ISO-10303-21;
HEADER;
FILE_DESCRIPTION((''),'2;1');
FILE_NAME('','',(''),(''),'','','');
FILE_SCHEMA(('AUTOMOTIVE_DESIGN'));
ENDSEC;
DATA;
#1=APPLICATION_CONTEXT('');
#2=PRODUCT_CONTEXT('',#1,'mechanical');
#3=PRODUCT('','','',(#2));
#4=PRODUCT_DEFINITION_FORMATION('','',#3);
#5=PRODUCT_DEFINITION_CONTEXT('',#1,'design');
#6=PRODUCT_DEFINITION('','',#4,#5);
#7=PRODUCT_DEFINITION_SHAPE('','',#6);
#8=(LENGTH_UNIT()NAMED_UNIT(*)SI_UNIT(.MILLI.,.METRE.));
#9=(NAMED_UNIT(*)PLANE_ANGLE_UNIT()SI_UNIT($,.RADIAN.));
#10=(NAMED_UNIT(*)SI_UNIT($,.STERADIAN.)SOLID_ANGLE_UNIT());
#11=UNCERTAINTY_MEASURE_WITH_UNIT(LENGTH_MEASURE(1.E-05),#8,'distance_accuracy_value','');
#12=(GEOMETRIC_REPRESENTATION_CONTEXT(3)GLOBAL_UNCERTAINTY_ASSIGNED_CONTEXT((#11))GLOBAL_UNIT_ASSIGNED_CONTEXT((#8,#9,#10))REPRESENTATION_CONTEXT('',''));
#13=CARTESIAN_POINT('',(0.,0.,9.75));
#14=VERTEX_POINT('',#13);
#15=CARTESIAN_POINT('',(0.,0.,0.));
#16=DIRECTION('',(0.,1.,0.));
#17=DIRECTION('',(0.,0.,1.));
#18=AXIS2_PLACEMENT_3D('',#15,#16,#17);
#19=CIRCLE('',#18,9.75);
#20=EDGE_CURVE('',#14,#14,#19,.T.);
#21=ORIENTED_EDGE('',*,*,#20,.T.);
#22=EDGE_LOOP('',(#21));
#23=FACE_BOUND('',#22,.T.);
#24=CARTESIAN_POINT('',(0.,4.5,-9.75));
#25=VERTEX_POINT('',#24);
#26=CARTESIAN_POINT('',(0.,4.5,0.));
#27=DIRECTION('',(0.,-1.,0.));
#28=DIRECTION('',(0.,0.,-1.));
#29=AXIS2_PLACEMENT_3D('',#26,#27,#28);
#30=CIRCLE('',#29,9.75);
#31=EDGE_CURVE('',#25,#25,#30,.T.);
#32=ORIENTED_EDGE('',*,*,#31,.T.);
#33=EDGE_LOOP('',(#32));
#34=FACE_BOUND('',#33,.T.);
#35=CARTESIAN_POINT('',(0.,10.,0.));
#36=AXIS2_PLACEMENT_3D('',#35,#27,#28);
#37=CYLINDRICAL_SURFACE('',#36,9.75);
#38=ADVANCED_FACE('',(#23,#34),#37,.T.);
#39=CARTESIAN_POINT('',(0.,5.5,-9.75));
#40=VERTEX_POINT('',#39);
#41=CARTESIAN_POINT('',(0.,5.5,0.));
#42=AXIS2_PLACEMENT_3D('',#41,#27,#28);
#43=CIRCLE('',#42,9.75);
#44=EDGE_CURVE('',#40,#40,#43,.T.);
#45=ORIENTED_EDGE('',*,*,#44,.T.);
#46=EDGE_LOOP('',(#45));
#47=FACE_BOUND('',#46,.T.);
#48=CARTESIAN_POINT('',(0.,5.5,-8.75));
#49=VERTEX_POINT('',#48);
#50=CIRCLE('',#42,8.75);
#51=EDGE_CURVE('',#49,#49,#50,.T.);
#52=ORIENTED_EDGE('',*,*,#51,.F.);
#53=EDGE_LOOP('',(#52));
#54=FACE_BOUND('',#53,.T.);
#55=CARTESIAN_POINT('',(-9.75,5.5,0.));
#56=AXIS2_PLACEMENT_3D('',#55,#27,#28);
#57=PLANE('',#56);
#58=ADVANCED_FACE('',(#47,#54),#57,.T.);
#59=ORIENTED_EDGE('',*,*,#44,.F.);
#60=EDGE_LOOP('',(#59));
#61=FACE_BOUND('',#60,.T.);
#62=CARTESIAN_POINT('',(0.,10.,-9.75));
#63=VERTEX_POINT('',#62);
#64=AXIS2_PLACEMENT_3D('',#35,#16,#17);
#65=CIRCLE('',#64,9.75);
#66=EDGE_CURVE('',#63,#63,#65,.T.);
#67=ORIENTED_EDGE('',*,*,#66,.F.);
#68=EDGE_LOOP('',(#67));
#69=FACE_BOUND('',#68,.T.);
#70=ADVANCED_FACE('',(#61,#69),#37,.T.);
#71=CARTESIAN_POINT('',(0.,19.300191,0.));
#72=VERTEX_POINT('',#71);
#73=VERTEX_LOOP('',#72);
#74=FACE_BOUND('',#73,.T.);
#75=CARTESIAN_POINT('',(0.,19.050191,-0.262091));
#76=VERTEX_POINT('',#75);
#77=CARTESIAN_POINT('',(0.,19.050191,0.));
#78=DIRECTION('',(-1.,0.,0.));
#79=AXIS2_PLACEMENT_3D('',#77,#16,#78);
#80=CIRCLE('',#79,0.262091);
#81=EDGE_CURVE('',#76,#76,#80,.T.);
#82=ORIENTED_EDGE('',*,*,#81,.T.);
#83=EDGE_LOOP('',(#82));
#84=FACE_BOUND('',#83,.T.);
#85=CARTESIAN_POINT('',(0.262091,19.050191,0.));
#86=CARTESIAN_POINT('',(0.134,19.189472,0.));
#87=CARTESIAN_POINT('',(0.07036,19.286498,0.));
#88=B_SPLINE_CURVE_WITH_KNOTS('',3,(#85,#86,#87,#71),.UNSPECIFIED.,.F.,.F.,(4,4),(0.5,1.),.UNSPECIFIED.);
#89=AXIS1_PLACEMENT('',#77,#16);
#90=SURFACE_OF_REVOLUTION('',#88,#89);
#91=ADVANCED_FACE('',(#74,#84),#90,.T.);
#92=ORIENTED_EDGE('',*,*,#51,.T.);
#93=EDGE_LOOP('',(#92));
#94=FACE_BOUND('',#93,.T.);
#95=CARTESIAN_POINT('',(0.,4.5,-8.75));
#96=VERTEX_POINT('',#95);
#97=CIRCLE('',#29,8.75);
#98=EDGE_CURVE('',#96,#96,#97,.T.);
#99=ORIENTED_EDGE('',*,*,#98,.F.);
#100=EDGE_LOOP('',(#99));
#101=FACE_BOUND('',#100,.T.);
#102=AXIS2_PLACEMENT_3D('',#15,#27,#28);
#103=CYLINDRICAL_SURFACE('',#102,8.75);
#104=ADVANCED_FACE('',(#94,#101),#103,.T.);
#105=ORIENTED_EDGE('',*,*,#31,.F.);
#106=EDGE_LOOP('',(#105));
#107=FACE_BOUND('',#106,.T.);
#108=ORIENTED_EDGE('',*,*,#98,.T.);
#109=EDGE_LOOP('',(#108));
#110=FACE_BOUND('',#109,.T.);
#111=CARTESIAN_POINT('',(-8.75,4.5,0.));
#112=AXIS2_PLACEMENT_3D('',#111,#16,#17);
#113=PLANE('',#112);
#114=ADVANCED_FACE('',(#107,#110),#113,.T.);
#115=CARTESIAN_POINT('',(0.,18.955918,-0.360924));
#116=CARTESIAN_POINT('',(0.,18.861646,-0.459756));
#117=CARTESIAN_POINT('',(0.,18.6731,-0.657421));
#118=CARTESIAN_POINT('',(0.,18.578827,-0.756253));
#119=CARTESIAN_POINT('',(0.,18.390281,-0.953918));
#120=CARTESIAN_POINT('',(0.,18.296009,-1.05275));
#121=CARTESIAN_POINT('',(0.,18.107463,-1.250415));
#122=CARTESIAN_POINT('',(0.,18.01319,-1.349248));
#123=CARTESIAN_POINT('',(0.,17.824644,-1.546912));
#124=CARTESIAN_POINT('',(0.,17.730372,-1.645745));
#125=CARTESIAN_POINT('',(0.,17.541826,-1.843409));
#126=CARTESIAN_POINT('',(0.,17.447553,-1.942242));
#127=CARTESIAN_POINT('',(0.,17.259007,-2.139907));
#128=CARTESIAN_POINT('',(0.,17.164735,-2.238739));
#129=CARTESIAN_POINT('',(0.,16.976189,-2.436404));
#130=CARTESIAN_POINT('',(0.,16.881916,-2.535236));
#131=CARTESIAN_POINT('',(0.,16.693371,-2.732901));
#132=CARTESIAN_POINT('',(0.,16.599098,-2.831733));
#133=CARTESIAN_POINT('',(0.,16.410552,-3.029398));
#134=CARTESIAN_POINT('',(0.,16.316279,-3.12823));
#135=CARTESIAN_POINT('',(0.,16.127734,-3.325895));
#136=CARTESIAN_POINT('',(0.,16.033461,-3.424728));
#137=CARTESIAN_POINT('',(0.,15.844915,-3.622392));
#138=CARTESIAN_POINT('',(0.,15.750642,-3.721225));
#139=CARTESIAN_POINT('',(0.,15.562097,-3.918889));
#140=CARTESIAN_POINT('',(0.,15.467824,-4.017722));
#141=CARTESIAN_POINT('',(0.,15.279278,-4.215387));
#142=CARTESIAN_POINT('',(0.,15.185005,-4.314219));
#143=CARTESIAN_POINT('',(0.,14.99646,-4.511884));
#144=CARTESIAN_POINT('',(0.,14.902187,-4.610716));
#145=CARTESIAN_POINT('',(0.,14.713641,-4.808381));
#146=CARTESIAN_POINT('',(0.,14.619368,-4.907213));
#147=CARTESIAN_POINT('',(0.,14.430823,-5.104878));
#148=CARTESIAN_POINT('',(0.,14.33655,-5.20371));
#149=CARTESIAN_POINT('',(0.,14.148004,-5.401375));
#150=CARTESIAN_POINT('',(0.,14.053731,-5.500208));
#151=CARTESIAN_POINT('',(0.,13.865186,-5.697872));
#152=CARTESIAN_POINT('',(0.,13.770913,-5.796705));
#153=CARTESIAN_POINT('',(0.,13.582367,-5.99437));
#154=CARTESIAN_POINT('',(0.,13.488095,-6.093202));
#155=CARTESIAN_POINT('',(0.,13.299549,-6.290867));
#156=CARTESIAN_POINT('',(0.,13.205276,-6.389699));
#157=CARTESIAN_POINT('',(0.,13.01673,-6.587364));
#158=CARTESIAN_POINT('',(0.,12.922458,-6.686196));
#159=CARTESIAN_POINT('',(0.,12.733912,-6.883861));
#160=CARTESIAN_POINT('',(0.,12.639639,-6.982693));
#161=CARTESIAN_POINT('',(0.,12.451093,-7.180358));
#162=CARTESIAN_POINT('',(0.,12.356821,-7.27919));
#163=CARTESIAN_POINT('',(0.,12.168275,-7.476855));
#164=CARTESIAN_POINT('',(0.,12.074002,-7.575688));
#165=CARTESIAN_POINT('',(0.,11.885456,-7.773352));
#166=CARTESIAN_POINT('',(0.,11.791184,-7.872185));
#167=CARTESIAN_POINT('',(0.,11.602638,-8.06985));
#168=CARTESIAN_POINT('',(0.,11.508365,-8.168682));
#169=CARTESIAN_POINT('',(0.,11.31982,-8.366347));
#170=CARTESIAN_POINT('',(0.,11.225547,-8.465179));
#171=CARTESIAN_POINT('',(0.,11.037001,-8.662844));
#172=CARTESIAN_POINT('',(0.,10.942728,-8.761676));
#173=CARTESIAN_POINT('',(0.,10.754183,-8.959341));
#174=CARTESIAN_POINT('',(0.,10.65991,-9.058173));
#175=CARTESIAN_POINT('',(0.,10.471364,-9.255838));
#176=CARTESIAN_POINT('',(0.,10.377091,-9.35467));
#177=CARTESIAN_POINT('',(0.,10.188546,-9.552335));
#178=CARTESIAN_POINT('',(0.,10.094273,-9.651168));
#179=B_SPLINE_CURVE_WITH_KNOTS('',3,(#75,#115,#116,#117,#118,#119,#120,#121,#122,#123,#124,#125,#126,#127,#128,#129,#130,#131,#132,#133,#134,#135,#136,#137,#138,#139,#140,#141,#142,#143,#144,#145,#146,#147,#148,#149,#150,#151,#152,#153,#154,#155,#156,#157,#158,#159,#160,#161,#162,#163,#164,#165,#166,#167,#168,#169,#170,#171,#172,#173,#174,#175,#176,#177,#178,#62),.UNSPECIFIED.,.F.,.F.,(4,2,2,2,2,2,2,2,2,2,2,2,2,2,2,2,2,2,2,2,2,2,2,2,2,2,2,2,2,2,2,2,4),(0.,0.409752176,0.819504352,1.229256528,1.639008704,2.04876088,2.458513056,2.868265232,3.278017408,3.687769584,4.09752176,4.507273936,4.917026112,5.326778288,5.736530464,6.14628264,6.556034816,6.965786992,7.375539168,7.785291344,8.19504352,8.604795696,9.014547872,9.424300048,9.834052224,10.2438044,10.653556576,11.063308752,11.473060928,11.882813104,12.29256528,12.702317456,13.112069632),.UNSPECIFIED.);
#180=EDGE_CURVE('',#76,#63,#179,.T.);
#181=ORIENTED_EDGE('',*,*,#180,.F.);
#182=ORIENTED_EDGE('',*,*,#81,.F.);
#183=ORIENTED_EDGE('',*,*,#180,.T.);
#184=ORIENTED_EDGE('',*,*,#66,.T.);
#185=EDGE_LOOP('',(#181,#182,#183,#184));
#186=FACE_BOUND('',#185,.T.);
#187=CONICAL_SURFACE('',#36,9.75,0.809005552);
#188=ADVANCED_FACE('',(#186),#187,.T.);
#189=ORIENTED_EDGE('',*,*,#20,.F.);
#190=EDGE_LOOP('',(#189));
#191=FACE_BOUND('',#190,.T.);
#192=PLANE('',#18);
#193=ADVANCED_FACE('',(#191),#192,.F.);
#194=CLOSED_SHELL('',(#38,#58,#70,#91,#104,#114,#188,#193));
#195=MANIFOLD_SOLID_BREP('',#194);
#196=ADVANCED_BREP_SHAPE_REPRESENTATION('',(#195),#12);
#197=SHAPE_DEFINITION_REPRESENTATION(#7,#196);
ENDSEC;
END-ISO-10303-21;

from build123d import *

# Parameters (mm, degrees)
SKETCH1_R           = 9.75
BOSS_EXTRUDE1_DEPTH = 10
SKETCH5_W           = 1
SKETCH5_H           = 1


with BuildPart() as part:
    # Sketch1 → Boss-Extrude1 (new body)
    with BuildSketch(Plane(origin=(0, 0, 0), x_dir=(1, 0, 0), z_dir=(0, 1, 0))):
        with Locations(Location((0, 0, 0), (0, 0, 270))):
            Circle(SKETCH1_R)
    extrude(amount=BOSS_EXTRUDE1_DEPTH)

    # Sketch2 → Revolve1 (revolve)
    with BuildSketch(Plane.XY, mode=Mode.PRIVATE) as revolve1_sk:
        Polygon((0, 10), (0, 19.300191168), (9.75, 10), align=None)
    revolve(revolve1_sk.sketch.rotate(Axis((0, 0, 0), (0, 1, 0)), 90), axis=Axis((0, 0, 0), (0, 1, 0)))

    # Sketch3 → Cut-Revolve1 (revolve, cut)
    with BuildSketch(Plane.XY, mode=Mode.PRIVATE) as cut_revolve1_sk:
        Polygon((0, 19.300191168), (0, 19.050191168), (0.262091387, 19.050191168), align=None)
    revolve(cut_revolve1_sk.sketch.rotate(Axis((0, 19.050191168, 0), (0, 1, 0)), 90), axis=Axis((0, 19.050191168, 0), (0, 1, 0)), mode=Mode.SUBTRACT)

    # Sketch4 → Revolve2 (revolve)
    with BuildSketch(Plane.XY, mode=Mode.PRIVATE) as revolve2_sk:
        with BuildLine():
            Line((0, 19.050191168), (0, 19.300191168))
            add(Edge.make_bspline(
                [(0, 19.300191168), (0.070360222, 19.286498468), (0.134000153, 19.189472435), (0.262091387, 19.050191168)],
                knots=[0.5, 0.5, 0.5, 0.5, 1, 1, 1, 1], degree=3))
            Line((0.262091387, 19.050191168), (0, 19.050191168))
        make_face()
    revolve(revolve2_sk.sketch.rotate(Axis((0, 19.050191168, 0), (0, -1, 0)), 270), axis=Axis((0, 19.050191168, 0), (0, -1, 0)))

    # Sketch5 → Cut-Revolve2 (revolve, cut)
    with BuildSketch(Plane.XY, mode=Mode.PRIVATE) as cut_revolve2_sk:
        with Locations((-9.25, 5)):
            Rectangle(SKETCH5_W, SKETCH5_H)
    revolve(cut_revolve2_sk.sketch.rotate(Axis((0, 0, 0), (0, 1, 0)), 270), axis=Axis((0, 0, 0), (0, 1, 0)), mode=Mode.SUBTRACT)


solid = part.part
